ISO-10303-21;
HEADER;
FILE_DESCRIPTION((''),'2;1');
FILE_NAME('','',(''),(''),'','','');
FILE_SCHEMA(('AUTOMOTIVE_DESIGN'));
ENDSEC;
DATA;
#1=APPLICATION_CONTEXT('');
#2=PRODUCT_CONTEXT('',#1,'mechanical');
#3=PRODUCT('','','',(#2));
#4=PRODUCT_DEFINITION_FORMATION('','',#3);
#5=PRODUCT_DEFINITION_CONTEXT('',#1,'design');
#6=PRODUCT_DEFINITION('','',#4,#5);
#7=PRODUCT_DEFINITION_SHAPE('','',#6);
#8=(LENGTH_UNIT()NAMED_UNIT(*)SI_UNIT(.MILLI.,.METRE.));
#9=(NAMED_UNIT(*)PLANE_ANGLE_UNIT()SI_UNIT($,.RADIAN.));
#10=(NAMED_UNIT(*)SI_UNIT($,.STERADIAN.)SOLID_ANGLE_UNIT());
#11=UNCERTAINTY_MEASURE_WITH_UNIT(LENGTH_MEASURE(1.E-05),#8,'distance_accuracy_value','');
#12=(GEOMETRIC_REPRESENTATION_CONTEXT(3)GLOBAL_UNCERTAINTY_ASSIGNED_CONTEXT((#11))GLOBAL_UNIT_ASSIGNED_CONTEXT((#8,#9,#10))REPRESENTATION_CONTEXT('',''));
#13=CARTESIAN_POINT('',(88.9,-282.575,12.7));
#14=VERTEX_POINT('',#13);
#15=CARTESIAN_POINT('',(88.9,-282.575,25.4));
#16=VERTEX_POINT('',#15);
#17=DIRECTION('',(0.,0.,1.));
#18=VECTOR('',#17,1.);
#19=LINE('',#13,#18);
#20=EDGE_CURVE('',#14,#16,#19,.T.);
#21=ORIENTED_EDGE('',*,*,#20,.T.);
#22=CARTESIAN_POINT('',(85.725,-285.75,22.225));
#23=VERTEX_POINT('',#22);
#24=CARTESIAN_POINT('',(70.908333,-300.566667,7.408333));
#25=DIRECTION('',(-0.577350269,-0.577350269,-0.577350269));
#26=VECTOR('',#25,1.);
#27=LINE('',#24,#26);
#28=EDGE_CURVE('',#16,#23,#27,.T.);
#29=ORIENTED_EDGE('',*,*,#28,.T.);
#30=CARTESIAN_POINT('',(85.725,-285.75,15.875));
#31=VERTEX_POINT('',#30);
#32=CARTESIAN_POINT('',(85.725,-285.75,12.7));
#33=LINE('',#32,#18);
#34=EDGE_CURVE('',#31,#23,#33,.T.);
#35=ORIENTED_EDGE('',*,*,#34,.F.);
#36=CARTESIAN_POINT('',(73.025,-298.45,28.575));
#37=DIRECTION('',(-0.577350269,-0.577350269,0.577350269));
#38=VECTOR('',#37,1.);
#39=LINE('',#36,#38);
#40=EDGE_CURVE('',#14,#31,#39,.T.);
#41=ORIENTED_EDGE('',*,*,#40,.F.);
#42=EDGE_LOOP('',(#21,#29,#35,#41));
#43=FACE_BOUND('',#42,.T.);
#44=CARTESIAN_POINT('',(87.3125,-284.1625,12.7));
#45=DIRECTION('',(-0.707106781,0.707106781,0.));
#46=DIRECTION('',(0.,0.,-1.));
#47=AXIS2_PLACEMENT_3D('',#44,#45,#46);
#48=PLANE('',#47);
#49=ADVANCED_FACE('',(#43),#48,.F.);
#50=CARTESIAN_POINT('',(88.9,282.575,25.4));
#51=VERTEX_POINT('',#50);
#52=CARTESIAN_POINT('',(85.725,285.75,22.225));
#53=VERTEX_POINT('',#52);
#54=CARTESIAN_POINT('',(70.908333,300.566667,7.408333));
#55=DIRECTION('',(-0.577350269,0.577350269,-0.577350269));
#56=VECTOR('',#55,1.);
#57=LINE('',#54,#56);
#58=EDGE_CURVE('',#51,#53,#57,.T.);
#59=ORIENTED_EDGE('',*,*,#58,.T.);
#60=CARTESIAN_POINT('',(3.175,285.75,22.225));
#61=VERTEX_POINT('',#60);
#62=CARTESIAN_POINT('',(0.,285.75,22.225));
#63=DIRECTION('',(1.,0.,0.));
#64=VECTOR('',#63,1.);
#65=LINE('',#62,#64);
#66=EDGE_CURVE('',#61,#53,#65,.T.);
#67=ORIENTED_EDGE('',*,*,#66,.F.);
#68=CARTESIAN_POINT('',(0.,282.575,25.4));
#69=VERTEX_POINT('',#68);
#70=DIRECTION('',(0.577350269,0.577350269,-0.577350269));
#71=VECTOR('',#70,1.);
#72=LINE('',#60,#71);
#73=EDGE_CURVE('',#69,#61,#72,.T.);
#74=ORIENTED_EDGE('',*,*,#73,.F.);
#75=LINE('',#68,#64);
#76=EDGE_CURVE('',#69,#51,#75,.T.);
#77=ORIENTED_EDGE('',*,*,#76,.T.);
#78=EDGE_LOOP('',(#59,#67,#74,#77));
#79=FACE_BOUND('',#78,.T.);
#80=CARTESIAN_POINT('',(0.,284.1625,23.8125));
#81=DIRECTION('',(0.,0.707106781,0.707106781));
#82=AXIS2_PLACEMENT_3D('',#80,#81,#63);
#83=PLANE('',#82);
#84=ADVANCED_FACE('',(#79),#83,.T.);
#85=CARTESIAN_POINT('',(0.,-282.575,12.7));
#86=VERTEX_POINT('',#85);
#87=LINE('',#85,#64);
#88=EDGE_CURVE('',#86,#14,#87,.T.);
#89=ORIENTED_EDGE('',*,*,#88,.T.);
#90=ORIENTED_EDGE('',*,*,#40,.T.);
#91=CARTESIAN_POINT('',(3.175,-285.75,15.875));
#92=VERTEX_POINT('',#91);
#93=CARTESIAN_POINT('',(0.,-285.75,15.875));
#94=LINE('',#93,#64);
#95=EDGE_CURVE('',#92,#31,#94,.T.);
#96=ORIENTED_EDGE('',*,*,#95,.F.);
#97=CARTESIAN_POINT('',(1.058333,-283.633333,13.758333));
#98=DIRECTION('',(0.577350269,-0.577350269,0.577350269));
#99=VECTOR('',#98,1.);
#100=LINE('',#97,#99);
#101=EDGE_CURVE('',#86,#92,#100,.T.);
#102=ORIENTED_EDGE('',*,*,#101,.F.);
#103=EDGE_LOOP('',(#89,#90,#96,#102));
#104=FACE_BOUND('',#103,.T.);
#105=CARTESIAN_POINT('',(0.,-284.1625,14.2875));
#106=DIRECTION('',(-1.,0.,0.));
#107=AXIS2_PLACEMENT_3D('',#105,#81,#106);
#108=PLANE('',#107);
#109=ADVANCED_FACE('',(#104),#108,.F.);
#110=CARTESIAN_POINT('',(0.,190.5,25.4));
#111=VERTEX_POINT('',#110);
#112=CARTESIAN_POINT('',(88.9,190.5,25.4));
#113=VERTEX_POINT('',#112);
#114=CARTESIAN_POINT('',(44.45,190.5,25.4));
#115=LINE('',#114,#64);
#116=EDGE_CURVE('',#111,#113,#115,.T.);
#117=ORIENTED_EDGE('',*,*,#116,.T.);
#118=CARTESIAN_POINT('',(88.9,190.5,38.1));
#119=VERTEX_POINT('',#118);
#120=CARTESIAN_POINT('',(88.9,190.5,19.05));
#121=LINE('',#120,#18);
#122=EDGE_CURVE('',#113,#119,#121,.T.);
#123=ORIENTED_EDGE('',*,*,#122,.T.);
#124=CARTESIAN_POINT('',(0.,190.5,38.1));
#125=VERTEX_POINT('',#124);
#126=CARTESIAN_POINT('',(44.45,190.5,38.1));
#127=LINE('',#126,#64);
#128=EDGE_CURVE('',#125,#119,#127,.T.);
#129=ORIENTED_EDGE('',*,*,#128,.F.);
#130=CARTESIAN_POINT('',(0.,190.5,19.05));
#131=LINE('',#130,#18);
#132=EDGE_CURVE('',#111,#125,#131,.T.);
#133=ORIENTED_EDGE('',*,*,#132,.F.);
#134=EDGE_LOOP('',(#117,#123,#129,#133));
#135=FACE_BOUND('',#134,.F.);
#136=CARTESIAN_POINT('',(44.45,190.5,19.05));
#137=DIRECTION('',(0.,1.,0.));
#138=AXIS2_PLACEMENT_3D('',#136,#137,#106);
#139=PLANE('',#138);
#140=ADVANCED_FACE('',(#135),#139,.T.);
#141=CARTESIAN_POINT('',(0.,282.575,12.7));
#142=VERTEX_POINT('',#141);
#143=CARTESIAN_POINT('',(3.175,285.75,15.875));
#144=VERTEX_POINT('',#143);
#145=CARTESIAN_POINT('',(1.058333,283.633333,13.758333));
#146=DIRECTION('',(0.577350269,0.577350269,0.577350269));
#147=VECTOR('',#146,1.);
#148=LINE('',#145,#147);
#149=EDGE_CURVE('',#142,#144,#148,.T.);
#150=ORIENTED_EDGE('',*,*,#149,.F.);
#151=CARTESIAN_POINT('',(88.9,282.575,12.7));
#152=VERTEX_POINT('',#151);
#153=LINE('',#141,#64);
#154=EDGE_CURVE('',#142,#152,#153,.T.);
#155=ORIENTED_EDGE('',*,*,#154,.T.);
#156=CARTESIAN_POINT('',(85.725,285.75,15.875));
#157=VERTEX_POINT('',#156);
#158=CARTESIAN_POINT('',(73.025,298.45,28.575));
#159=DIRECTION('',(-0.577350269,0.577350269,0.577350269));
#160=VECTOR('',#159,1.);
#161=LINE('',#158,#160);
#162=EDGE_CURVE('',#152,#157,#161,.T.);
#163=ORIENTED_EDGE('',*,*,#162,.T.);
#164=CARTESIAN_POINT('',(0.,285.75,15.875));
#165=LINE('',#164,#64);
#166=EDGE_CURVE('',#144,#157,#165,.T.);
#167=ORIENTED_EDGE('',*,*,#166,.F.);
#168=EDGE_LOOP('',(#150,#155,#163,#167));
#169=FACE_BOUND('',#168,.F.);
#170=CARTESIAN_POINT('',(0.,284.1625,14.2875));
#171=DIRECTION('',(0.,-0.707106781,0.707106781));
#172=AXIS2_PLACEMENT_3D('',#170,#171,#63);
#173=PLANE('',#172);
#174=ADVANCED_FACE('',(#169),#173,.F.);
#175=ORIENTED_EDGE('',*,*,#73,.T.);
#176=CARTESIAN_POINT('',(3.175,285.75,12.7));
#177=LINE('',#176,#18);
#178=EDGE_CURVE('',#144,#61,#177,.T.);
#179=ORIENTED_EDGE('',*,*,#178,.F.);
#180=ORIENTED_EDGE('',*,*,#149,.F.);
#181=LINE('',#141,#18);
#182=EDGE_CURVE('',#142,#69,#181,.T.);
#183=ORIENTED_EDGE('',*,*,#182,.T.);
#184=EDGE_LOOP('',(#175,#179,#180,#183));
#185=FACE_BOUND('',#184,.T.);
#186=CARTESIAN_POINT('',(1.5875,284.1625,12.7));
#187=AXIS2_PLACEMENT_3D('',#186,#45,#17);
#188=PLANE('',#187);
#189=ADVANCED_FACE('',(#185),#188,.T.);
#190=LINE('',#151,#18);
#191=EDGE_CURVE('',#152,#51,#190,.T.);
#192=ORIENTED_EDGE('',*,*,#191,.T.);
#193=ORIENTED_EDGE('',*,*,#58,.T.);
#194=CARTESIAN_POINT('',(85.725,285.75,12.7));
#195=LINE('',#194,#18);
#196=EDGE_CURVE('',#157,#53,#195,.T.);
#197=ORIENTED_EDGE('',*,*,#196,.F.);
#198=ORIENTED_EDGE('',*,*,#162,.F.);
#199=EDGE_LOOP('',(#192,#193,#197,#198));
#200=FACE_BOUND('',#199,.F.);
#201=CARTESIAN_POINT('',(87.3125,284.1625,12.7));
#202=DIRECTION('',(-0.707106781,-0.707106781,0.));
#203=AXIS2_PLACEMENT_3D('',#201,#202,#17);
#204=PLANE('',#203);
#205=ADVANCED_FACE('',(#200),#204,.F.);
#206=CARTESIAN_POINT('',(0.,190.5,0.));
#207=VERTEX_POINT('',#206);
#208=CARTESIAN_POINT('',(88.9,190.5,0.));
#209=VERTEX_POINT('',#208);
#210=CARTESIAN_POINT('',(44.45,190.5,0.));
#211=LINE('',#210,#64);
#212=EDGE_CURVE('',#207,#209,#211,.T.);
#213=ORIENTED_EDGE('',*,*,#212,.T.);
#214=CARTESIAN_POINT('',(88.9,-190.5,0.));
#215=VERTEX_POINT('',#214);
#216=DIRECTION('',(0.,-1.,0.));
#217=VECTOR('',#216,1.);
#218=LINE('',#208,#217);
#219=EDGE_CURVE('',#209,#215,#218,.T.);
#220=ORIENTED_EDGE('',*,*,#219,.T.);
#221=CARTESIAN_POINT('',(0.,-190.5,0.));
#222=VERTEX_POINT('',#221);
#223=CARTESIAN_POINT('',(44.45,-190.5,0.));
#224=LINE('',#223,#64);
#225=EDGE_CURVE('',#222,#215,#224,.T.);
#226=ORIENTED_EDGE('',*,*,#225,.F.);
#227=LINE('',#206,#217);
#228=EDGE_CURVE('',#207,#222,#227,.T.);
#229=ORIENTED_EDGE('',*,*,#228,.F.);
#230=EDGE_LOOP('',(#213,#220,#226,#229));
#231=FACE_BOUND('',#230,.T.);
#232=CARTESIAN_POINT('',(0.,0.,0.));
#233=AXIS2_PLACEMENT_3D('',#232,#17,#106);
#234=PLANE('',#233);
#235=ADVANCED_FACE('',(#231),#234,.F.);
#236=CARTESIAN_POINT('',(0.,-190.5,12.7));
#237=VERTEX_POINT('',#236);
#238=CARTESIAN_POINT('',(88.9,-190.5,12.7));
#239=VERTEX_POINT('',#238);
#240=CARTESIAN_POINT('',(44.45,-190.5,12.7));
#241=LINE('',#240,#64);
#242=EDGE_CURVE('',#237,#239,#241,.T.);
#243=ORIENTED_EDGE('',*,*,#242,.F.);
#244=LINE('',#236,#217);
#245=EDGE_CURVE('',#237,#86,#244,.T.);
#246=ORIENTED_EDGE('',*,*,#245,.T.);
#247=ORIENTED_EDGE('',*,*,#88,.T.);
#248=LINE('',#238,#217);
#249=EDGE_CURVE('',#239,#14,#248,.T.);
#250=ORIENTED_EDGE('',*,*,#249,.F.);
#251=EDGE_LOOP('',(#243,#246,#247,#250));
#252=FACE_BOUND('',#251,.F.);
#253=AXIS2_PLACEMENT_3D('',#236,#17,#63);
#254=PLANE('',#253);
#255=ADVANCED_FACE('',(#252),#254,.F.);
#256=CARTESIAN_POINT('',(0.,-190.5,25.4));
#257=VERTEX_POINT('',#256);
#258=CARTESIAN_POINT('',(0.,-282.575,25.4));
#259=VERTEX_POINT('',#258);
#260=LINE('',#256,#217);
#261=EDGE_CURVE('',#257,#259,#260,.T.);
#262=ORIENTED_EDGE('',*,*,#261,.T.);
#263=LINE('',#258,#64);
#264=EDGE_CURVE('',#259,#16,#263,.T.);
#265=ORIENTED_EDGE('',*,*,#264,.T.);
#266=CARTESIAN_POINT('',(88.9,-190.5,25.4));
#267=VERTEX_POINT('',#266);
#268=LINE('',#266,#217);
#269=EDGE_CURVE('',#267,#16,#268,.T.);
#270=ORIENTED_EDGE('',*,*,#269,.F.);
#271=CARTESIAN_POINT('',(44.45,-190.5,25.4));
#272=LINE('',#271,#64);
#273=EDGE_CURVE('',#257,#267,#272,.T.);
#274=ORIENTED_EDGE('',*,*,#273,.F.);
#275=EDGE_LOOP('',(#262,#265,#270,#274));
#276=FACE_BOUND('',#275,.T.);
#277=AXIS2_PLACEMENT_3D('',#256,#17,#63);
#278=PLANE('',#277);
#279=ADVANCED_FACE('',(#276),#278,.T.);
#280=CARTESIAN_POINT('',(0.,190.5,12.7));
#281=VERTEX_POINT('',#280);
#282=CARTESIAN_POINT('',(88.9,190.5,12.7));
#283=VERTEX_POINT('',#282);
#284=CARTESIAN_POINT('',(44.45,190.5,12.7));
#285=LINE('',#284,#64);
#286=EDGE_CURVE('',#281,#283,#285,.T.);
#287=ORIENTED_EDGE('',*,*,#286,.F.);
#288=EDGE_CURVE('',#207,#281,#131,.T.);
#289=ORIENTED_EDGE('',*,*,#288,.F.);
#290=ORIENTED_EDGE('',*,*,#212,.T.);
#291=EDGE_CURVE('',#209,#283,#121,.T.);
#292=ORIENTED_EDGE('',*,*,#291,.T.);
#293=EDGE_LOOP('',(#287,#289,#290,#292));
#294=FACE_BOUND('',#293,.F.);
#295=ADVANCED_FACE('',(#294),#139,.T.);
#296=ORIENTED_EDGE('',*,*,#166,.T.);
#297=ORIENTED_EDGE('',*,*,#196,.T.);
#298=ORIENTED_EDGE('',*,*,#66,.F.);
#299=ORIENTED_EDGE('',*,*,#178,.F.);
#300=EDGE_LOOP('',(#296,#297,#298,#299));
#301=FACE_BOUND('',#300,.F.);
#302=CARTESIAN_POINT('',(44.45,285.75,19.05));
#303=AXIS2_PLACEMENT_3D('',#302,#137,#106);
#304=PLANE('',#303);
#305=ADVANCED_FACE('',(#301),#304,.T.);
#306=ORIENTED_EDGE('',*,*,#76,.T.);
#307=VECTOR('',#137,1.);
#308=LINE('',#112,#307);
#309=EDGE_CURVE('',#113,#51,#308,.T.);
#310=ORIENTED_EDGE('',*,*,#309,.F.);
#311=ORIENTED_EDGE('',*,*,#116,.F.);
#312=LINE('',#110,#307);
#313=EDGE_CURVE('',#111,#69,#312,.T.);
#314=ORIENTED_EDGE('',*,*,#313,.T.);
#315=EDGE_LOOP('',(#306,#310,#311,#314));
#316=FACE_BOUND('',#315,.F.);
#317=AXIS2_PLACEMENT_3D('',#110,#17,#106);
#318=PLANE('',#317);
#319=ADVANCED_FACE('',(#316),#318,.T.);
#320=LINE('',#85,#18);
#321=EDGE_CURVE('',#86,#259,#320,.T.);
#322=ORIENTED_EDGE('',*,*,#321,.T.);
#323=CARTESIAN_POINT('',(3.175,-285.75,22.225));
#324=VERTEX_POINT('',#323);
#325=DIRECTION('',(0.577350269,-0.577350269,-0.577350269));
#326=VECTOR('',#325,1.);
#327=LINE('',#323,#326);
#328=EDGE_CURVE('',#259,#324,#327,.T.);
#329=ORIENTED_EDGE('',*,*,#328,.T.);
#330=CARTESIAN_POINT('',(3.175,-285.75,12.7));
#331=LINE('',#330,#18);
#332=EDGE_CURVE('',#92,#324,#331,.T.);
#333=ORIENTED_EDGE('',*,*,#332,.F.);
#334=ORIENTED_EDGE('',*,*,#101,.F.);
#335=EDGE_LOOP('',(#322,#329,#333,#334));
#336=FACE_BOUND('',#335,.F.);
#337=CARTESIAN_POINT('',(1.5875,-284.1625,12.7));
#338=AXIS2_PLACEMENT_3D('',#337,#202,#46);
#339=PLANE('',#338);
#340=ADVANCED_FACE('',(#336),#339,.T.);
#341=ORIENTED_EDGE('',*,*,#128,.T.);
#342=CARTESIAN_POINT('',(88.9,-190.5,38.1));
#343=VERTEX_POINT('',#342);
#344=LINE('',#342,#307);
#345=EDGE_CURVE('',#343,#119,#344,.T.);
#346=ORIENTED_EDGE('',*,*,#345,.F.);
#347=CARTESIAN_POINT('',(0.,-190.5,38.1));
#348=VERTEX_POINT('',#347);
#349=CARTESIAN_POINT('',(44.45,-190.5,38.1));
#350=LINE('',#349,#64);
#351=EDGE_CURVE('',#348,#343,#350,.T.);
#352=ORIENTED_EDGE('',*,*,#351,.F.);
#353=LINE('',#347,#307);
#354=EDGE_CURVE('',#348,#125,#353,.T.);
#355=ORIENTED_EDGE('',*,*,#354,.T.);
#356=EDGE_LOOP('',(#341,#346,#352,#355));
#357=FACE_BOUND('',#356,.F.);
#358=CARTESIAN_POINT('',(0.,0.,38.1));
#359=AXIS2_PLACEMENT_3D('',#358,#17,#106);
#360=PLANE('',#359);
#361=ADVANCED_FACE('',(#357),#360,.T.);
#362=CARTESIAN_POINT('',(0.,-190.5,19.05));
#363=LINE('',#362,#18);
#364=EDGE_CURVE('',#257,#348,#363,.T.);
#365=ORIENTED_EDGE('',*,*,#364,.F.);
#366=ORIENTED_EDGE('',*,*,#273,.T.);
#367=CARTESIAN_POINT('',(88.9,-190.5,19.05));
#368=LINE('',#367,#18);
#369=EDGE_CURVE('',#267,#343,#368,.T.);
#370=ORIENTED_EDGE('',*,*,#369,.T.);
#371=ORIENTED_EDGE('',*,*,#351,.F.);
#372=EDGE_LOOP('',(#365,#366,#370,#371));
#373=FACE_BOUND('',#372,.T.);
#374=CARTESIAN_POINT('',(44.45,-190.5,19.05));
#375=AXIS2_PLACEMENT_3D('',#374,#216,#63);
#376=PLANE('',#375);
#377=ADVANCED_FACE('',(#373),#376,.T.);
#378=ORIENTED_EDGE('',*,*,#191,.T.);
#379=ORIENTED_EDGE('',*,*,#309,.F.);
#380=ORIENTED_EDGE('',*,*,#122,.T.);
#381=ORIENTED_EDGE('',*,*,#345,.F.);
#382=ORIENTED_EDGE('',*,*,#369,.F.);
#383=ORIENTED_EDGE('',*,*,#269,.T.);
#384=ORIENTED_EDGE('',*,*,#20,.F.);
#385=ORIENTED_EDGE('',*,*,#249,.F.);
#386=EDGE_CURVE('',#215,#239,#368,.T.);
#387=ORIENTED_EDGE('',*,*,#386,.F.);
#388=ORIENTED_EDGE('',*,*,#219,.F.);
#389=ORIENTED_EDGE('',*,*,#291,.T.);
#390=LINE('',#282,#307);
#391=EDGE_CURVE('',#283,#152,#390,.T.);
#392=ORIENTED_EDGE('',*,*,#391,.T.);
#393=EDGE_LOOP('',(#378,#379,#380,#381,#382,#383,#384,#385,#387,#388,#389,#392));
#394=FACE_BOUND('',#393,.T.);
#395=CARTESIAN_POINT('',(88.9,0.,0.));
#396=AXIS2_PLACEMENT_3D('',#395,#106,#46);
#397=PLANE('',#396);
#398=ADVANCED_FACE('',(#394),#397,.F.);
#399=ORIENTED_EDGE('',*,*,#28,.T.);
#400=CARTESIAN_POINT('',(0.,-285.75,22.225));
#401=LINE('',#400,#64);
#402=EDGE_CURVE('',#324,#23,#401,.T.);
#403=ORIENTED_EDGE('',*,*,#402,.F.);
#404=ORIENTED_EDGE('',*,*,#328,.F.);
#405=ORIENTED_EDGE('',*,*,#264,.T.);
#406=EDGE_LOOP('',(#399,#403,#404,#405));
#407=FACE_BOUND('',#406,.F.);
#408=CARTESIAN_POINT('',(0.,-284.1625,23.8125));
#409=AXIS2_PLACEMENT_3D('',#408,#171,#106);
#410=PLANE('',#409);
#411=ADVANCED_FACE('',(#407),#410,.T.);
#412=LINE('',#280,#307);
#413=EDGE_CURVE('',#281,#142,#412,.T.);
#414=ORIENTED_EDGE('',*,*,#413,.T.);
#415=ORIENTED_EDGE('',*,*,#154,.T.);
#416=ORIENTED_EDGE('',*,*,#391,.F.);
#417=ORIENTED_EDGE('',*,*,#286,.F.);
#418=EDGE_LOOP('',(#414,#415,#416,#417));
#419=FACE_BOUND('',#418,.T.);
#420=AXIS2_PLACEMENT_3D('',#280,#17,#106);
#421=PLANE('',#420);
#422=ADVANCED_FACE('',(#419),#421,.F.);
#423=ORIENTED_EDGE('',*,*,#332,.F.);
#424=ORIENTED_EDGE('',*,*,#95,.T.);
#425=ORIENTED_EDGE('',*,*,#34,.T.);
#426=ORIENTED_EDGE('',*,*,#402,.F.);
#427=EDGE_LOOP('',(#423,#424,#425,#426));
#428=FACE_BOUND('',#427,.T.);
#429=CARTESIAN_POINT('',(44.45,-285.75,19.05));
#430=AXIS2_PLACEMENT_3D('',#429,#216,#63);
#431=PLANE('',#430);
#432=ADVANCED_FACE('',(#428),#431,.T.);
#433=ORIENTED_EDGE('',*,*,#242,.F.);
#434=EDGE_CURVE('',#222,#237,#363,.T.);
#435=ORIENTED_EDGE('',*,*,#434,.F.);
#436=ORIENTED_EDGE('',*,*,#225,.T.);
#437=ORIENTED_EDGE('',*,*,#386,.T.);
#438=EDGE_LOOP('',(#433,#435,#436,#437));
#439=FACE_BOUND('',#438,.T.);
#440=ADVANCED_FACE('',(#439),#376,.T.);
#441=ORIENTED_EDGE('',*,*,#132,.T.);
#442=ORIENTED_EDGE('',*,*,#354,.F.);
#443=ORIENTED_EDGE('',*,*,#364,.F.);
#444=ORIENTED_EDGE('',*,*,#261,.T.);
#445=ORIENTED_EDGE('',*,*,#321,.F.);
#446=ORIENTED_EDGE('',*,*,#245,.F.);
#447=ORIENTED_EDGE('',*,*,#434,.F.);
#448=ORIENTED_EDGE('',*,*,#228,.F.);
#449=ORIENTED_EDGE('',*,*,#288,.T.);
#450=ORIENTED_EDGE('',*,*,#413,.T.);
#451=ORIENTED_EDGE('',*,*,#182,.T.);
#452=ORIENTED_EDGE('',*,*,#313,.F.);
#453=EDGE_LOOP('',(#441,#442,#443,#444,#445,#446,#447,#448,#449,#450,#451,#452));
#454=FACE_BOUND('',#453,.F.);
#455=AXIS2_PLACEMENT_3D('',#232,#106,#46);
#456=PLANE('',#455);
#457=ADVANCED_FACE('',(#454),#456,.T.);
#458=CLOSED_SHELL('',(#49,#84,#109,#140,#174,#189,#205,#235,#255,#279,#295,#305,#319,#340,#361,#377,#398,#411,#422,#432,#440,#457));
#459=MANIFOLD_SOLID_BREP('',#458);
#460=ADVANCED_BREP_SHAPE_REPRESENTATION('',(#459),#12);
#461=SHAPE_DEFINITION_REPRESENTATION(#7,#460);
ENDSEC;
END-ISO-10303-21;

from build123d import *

# Parameters (mm, degrees)
F0_W     = 88.9
F0_H     = 38.1
F1_DEPTH = 190.5
F2_W     = 88.9
F2_H     = 12.7
F3_DEPTH = 95.25
F4_SIZE  = 3.175


with BuildPart() as f1:
    # F0 (on Front) → F1 (new body)
    with BuildSketch(Plane.XZ):
        with Locations((44.45, 19.05)):
            Rectangle(F0_W, F0_H)
    extrude(amount=F1_DEPTH)

    # F2 (on face) → F3 (join)
    with BuildSketch(Plane.XZ.offset(190.5)):
        with Locations((44.45, 19.05)):
            Rectangle(F2_W, F2_H)
    extrude(amount=F3_DEPTH)

    # F4
    f4_edges = [f1.edges().sort_by_distance(p)[0] for p in [
        (44.45, -285.75, 25.4),
        (0, -285.75, 19.05),
        (44.45, -285.75, 12.7),
        (88.9, -285.75, 19.05),
    ]]
    chamfer(f4_edges, length=F4_SIZE)

    # F5: F1 across face


with BuildPart() as f1_1:
    add(f1.part)
    add(f1.part.mirror(Plane(origin=(44.45, 0, 19.05), x_dir=(1, 0, 0), z_dir=(0, 1, 0))))


solid = f1_1.part
